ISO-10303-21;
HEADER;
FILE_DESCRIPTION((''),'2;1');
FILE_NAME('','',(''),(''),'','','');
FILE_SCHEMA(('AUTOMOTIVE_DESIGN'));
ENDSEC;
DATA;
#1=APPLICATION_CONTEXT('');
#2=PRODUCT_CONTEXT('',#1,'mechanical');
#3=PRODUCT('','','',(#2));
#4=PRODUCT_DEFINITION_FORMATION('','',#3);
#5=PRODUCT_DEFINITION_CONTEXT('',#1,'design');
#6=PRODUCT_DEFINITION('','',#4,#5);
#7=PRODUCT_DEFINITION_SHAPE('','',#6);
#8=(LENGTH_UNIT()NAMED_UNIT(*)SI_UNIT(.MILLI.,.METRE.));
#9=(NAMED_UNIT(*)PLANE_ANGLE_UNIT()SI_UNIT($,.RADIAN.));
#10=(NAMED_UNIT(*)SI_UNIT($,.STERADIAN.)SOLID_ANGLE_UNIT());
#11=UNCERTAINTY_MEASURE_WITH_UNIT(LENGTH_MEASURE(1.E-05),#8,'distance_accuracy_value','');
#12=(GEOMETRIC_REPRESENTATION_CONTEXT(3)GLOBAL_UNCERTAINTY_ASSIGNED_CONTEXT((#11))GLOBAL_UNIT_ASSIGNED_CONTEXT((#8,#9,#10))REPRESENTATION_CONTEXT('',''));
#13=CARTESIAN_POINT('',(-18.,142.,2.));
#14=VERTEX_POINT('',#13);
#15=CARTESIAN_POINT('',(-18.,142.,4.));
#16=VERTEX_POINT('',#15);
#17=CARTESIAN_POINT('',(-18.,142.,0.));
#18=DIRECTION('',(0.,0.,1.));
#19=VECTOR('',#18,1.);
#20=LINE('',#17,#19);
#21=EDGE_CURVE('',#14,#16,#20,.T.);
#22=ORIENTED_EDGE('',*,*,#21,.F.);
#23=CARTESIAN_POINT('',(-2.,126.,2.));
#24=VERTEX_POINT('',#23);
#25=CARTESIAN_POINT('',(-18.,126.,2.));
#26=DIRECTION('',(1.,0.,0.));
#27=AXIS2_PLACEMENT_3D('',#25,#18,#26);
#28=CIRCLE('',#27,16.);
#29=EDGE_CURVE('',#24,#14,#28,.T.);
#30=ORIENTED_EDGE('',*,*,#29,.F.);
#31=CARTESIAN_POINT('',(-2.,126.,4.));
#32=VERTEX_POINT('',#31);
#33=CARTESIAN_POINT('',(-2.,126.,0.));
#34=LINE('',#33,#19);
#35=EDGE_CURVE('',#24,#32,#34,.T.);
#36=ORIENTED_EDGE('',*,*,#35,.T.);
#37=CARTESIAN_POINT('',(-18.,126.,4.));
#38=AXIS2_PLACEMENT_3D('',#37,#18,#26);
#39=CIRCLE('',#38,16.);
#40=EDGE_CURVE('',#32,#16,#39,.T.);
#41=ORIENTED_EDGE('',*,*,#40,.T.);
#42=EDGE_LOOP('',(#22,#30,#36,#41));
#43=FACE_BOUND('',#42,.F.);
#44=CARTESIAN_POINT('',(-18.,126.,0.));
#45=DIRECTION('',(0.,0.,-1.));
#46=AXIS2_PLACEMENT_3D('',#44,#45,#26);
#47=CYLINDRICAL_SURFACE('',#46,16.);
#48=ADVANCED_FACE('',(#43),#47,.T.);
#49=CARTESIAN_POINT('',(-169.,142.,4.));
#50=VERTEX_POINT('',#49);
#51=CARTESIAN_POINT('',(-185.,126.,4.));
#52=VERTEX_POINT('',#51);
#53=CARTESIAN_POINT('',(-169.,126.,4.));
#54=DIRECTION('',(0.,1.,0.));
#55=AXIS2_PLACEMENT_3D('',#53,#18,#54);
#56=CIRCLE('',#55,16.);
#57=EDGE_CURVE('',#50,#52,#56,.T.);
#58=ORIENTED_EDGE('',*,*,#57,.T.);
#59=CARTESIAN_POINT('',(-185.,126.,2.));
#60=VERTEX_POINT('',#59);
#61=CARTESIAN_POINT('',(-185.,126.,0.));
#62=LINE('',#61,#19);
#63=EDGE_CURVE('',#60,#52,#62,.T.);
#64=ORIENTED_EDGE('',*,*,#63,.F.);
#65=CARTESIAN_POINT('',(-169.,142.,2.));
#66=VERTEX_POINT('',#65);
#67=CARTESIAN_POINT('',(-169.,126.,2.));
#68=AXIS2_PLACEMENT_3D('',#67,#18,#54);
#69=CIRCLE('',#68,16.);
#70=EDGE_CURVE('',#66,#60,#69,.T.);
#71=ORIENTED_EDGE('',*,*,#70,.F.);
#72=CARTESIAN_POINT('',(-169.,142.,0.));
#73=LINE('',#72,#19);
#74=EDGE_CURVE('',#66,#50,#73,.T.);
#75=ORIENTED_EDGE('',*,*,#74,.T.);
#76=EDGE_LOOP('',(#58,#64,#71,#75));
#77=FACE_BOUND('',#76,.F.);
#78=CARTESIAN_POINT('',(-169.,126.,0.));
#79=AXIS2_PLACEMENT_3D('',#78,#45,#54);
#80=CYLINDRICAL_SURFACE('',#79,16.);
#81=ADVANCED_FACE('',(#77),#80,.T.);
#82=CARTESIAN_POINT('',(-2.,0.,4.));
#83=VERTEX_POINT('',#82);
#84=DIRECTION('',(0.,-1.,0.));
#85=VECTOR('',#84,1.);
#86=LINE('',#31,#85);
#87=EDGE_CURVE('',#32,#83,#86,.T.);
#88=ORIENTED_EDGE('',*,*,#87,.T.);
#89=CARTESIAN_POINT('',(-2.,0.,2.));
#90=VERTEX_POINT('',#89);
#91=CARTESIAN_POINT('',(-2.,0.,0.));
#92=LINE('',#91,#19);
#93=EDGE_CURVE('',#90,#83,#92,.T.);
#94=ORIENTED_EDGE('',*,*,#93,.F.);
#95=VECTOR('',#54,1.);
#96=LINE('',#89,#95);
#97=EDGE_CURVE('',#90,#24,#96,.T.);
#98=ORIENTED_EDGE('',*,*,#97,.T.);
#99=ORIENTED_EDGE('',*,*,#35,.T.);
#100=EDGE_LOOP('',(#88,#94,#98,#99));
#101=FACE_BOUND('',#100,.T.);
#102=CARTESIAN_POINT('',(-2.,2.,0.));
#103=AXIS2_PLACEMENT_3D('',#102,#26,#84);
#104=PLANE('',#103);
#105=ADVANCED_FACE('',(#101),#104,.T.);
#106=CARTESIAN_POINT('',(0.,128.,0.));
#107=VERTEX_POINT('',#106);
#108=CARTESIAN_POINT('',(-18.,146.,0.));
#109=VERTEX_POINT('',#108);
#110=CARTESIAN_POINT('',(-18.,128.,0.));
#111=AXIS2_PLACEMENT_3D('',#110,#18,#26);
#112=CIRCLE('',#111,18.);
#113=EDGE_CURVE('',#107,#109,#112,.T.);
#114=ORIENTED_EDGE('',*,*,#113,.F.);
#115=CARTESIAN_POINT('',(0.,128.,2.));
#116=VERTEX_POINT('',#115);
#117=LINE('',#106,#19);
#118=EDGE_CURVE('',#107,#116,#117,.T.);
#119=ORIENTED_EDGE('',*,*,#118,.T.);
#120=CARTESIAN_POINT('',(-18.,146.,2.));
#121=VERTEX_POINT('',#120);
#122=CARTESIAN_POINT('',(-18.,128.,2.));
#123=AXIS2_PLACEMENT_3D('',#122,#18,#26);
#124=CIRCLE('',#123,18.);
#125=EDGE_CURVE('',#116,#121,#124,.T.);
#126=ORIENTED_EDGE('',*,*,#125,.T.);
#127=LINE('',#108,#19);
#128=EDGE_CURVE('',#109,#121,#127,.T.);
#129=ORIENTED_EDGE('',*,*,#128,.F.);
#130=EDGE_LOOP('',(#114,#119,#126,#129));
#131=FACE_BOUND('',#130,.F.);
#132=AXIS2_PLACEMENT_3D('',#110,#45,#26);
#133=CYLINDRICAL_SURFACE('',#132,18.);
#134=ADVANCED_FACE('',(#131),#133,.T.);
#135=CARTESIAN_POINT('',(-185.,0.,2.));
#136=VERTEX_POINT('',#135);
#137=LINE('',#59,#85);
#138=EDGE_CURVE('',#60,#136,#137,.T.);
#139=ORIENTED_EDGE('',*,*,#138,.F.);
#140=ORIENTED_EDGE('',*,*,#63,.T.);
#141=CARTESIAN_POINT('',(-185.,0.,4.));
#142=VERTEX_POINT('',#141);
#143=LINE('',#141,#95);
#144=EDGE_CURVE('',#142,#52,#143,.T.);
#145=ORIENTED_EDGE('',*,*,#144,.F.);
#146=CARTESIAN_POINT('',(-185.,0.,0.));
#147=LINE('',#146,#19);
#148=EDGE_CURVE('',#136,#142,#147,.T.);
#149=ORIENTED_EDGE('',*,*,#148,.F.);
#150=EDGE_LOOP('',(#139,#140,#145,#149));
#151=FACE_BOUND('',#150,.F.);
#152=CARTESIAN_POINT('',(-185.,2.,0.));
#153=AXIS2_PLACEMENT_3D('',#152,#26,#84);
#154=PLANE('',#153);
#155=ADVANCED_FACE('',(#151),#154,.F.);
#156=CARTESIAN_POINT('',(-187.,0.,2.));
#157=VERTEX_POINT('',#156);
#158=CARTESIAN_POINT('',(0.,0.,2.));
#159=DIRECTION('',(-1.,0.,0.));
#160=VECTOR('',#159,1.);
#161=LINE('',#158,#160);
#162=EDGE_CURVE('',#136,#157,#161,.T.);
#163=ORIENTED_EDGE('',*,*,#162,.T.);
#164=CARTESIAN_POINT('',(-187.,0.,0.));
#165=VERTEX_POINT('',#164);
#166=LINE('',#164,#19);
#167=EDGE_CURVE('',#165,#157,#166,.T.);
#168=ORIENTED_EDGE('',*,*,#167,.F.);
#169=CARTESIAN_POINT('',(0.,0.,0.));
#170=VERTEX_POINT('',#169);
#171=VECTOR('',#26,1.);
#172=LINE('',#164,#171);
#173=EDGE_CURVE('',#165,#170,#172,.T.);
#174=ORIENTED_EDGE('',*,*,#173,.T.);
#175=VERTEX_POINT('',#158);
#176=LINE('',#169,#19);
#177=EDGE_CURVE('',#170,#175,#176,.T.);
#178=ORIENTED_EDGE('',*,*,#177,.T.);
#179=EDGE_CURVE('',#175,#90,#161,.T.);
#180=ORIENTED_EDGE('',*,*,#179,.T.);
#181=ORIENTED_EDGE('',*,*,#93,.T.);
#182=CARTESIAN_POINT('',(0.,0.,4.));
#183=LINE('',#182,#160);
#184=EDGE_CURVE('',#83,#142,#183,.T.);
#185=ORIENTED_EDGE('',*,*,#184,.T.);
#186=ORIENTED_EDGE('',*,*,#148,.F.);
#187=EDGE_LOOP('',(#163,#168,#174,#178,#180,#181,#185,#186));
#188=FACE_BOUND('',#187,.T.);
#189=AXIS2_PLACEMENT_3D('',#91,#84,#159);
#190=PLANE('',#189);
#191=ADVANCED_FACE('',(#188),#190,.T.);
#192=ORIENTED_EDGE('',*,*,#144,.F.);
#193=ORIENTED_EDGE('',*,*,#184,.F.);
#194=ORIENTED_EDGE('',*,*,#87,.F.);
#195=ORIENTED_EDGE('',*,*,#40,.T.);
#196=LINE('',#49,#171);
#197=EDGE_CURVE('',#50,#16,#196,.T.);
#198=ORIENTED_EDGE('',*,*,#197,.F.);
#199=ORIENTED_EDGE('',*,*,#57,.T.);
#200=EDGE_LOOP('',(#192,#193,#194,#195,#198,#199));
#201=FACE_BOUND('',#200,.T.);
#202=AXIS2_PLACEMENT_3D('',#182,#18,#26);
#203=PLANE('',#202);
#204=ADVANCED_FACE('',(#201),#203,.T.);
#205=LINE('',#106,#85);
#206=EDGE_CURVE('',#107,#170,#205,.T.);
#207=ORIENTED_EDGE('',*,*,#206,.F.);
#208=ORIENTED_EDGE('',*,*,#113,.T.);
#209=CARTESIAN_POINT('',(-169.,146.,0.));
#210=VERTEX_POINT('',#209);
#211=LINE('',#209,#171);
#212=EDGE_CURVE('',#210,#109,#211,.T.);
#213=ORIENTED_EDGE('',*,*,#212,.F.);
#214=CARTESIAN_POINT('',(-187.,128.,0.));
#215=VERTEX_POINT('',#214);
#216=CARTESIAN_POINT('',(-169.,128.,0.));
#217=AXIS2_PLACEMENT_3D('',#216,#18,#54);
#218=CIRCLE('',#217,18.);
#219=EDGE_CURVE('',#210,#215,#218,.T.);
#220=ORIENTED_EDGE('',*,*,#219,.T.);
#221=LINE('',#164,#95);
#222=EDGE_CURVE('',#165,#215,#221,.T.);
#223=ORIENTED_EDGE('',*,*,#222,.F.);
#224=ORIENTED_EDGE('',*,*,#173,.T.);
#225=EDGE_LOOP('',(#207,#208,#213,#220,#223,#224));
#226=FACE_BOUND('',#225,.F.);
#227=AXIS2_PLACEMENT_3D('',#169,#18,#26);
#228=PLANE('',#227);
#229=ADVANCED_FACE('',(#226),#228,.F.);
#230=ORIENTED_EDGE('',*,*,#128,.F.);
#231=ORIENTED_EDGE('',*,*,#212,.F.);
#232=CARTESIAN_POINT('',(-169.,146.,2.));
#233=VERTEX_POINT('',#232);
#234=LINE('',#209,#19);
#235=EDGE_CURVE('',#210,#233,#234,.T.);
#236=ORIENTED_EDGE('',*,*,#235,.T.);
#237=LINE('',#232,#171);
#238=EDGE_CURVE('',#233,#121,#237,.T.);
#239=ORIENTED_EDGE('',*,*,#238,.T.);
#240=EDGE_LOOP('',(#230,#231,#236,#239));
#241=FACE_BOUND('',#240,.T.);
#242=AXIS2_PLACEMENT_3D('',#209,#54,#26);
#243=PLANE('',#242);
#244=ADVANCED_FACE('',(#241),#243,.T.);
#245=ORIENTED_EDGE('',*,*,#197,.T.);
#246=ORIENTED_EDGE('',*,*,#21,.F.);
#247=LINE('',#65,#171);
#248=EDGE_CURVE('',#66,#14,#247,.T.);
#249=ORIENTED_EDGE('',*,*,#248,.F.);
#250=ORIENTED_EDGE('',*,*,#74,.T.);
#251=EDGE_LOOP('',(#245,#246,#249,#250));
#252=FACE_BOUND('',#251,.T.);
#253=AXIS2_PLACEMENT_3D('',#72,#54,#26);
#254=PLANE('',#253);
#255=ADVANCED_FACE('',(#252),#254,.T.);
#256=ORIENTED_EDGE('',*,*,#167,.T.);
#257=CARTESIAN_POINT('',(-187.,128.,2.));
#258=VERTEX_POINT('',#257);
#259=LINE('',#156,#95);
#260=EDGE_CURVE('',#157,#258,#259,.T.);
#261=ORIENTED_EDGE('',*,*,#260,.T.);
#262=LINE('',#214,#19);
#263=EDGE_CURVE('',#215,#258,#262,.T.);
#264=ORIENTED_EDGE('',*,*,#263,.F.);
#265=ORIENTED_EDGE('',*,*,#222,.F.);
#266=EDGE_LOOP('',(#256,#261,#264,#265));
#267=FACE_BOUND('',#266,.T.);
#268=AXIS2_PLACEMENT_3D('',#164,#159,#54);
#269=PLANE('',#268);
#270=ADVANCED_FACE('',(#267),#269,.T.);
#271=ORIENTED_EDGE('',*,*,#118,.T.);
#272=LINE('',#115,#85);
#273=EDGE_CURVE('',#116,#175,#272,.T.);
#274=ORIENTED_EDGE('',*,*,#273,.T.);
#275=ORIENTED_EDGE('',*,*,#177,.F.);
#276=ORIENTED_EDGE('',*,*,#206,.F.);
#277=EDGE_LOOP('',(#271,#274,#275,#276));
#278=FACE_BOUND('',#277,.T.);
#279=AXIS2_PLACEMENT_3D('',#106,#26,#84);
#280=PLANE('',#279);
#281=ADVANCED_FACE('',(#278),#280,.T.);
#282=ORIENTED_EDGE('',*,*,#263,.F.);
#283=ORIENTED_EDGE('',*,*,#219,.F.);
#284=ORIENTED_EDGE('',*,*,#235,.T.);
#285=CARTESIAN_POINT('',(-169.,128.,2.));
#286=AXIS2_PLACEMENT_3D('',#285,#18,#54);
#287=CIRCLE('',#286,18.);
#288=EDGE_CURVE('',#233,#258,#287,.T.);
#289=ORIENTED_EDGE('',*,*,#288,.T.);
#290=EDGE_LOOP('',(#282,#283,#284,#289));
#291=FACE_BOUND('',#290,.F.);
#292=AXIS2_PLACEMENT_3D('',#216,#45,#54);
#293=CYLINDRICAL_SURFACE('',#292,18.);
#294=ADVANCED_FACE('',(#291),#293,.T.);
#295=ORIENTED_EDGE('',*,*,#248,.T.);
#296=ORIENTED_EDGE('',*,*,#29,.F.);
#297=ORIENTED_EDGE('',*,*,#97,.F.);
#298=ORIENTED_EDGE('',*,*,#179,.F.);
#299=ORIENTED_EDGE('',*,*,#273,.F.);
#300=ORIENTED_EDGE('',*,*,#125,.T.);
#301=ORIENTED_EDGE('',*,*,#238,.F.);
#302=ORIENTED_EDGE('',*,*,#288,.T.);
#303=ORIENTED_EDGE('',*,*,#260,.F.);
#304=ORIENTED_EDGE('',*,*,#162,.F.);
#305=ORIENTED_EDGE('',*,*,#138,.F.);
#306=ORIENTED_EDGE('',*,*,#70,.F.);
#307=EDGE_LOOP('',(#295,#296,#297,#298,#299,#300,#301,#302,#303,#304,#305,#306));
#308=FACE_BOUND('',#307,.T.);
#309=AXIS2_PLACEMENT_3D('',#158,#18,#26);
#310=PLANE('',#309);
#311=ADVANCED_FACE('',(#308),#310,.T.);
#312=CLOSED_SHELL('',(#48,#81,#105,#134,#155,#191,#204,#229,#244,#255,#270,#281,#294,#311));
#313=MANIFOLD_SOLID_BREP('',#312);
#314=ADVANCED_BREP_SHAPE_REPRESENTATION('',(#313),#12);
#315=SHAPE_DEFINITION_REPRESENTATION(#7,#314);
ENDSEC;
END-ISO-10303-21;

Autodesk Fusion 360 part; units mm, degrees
sketch "Sketch1" plane through (0, 0, 0) normal (0, 0, 1) x (1, 0, 0)
  line L0 (0, 0) -> (-187, 0)
  line L1 (-187, 0) -> (-187, 128)
  line L2 (-169, 146) -> (-18, 146)
  line L3 (0, 128) -> (0, 0)
  arc A0 (0, 128) -> (-18, 146) centre (-18, 128) ccw
  arc A1 (-169, 146) -> (-187, 128) centre (-169, 128) ccw
  line L4 (-185, 2) -> (-185, 126)
  line L5 (-2, 126) -> (-2, 2)
  line L6 (-185, 2) -> (-185, 0)
  line L7 (-2, 2) -> (-2, 0)
  line L8 (-169, 142) -> (-18, 142)
  arc A2 (-169, 142) -> (-185, 126) centre (-169, 126) ccw
  arc A3 (-2, 126) -> (-18, 142) centre (-18, 126) ccw
  point P0 (0, 146)
  dimension "d1" = 187
  dimension "d2" = 146
  dimension "d3" = 18
  dimension "d4" = 18
extrude "Extrude1" add sketch "Sketch1" along normal blind 4 contours L0 L4 L5 L6 L7 L8 A2 A3
extrude "Extrude2" add sketch "Sketch1" along normal blind 2 contours L0 L1 L2 L3 A0 A1 L4 L5 L6 L7 L8 A2 A3
